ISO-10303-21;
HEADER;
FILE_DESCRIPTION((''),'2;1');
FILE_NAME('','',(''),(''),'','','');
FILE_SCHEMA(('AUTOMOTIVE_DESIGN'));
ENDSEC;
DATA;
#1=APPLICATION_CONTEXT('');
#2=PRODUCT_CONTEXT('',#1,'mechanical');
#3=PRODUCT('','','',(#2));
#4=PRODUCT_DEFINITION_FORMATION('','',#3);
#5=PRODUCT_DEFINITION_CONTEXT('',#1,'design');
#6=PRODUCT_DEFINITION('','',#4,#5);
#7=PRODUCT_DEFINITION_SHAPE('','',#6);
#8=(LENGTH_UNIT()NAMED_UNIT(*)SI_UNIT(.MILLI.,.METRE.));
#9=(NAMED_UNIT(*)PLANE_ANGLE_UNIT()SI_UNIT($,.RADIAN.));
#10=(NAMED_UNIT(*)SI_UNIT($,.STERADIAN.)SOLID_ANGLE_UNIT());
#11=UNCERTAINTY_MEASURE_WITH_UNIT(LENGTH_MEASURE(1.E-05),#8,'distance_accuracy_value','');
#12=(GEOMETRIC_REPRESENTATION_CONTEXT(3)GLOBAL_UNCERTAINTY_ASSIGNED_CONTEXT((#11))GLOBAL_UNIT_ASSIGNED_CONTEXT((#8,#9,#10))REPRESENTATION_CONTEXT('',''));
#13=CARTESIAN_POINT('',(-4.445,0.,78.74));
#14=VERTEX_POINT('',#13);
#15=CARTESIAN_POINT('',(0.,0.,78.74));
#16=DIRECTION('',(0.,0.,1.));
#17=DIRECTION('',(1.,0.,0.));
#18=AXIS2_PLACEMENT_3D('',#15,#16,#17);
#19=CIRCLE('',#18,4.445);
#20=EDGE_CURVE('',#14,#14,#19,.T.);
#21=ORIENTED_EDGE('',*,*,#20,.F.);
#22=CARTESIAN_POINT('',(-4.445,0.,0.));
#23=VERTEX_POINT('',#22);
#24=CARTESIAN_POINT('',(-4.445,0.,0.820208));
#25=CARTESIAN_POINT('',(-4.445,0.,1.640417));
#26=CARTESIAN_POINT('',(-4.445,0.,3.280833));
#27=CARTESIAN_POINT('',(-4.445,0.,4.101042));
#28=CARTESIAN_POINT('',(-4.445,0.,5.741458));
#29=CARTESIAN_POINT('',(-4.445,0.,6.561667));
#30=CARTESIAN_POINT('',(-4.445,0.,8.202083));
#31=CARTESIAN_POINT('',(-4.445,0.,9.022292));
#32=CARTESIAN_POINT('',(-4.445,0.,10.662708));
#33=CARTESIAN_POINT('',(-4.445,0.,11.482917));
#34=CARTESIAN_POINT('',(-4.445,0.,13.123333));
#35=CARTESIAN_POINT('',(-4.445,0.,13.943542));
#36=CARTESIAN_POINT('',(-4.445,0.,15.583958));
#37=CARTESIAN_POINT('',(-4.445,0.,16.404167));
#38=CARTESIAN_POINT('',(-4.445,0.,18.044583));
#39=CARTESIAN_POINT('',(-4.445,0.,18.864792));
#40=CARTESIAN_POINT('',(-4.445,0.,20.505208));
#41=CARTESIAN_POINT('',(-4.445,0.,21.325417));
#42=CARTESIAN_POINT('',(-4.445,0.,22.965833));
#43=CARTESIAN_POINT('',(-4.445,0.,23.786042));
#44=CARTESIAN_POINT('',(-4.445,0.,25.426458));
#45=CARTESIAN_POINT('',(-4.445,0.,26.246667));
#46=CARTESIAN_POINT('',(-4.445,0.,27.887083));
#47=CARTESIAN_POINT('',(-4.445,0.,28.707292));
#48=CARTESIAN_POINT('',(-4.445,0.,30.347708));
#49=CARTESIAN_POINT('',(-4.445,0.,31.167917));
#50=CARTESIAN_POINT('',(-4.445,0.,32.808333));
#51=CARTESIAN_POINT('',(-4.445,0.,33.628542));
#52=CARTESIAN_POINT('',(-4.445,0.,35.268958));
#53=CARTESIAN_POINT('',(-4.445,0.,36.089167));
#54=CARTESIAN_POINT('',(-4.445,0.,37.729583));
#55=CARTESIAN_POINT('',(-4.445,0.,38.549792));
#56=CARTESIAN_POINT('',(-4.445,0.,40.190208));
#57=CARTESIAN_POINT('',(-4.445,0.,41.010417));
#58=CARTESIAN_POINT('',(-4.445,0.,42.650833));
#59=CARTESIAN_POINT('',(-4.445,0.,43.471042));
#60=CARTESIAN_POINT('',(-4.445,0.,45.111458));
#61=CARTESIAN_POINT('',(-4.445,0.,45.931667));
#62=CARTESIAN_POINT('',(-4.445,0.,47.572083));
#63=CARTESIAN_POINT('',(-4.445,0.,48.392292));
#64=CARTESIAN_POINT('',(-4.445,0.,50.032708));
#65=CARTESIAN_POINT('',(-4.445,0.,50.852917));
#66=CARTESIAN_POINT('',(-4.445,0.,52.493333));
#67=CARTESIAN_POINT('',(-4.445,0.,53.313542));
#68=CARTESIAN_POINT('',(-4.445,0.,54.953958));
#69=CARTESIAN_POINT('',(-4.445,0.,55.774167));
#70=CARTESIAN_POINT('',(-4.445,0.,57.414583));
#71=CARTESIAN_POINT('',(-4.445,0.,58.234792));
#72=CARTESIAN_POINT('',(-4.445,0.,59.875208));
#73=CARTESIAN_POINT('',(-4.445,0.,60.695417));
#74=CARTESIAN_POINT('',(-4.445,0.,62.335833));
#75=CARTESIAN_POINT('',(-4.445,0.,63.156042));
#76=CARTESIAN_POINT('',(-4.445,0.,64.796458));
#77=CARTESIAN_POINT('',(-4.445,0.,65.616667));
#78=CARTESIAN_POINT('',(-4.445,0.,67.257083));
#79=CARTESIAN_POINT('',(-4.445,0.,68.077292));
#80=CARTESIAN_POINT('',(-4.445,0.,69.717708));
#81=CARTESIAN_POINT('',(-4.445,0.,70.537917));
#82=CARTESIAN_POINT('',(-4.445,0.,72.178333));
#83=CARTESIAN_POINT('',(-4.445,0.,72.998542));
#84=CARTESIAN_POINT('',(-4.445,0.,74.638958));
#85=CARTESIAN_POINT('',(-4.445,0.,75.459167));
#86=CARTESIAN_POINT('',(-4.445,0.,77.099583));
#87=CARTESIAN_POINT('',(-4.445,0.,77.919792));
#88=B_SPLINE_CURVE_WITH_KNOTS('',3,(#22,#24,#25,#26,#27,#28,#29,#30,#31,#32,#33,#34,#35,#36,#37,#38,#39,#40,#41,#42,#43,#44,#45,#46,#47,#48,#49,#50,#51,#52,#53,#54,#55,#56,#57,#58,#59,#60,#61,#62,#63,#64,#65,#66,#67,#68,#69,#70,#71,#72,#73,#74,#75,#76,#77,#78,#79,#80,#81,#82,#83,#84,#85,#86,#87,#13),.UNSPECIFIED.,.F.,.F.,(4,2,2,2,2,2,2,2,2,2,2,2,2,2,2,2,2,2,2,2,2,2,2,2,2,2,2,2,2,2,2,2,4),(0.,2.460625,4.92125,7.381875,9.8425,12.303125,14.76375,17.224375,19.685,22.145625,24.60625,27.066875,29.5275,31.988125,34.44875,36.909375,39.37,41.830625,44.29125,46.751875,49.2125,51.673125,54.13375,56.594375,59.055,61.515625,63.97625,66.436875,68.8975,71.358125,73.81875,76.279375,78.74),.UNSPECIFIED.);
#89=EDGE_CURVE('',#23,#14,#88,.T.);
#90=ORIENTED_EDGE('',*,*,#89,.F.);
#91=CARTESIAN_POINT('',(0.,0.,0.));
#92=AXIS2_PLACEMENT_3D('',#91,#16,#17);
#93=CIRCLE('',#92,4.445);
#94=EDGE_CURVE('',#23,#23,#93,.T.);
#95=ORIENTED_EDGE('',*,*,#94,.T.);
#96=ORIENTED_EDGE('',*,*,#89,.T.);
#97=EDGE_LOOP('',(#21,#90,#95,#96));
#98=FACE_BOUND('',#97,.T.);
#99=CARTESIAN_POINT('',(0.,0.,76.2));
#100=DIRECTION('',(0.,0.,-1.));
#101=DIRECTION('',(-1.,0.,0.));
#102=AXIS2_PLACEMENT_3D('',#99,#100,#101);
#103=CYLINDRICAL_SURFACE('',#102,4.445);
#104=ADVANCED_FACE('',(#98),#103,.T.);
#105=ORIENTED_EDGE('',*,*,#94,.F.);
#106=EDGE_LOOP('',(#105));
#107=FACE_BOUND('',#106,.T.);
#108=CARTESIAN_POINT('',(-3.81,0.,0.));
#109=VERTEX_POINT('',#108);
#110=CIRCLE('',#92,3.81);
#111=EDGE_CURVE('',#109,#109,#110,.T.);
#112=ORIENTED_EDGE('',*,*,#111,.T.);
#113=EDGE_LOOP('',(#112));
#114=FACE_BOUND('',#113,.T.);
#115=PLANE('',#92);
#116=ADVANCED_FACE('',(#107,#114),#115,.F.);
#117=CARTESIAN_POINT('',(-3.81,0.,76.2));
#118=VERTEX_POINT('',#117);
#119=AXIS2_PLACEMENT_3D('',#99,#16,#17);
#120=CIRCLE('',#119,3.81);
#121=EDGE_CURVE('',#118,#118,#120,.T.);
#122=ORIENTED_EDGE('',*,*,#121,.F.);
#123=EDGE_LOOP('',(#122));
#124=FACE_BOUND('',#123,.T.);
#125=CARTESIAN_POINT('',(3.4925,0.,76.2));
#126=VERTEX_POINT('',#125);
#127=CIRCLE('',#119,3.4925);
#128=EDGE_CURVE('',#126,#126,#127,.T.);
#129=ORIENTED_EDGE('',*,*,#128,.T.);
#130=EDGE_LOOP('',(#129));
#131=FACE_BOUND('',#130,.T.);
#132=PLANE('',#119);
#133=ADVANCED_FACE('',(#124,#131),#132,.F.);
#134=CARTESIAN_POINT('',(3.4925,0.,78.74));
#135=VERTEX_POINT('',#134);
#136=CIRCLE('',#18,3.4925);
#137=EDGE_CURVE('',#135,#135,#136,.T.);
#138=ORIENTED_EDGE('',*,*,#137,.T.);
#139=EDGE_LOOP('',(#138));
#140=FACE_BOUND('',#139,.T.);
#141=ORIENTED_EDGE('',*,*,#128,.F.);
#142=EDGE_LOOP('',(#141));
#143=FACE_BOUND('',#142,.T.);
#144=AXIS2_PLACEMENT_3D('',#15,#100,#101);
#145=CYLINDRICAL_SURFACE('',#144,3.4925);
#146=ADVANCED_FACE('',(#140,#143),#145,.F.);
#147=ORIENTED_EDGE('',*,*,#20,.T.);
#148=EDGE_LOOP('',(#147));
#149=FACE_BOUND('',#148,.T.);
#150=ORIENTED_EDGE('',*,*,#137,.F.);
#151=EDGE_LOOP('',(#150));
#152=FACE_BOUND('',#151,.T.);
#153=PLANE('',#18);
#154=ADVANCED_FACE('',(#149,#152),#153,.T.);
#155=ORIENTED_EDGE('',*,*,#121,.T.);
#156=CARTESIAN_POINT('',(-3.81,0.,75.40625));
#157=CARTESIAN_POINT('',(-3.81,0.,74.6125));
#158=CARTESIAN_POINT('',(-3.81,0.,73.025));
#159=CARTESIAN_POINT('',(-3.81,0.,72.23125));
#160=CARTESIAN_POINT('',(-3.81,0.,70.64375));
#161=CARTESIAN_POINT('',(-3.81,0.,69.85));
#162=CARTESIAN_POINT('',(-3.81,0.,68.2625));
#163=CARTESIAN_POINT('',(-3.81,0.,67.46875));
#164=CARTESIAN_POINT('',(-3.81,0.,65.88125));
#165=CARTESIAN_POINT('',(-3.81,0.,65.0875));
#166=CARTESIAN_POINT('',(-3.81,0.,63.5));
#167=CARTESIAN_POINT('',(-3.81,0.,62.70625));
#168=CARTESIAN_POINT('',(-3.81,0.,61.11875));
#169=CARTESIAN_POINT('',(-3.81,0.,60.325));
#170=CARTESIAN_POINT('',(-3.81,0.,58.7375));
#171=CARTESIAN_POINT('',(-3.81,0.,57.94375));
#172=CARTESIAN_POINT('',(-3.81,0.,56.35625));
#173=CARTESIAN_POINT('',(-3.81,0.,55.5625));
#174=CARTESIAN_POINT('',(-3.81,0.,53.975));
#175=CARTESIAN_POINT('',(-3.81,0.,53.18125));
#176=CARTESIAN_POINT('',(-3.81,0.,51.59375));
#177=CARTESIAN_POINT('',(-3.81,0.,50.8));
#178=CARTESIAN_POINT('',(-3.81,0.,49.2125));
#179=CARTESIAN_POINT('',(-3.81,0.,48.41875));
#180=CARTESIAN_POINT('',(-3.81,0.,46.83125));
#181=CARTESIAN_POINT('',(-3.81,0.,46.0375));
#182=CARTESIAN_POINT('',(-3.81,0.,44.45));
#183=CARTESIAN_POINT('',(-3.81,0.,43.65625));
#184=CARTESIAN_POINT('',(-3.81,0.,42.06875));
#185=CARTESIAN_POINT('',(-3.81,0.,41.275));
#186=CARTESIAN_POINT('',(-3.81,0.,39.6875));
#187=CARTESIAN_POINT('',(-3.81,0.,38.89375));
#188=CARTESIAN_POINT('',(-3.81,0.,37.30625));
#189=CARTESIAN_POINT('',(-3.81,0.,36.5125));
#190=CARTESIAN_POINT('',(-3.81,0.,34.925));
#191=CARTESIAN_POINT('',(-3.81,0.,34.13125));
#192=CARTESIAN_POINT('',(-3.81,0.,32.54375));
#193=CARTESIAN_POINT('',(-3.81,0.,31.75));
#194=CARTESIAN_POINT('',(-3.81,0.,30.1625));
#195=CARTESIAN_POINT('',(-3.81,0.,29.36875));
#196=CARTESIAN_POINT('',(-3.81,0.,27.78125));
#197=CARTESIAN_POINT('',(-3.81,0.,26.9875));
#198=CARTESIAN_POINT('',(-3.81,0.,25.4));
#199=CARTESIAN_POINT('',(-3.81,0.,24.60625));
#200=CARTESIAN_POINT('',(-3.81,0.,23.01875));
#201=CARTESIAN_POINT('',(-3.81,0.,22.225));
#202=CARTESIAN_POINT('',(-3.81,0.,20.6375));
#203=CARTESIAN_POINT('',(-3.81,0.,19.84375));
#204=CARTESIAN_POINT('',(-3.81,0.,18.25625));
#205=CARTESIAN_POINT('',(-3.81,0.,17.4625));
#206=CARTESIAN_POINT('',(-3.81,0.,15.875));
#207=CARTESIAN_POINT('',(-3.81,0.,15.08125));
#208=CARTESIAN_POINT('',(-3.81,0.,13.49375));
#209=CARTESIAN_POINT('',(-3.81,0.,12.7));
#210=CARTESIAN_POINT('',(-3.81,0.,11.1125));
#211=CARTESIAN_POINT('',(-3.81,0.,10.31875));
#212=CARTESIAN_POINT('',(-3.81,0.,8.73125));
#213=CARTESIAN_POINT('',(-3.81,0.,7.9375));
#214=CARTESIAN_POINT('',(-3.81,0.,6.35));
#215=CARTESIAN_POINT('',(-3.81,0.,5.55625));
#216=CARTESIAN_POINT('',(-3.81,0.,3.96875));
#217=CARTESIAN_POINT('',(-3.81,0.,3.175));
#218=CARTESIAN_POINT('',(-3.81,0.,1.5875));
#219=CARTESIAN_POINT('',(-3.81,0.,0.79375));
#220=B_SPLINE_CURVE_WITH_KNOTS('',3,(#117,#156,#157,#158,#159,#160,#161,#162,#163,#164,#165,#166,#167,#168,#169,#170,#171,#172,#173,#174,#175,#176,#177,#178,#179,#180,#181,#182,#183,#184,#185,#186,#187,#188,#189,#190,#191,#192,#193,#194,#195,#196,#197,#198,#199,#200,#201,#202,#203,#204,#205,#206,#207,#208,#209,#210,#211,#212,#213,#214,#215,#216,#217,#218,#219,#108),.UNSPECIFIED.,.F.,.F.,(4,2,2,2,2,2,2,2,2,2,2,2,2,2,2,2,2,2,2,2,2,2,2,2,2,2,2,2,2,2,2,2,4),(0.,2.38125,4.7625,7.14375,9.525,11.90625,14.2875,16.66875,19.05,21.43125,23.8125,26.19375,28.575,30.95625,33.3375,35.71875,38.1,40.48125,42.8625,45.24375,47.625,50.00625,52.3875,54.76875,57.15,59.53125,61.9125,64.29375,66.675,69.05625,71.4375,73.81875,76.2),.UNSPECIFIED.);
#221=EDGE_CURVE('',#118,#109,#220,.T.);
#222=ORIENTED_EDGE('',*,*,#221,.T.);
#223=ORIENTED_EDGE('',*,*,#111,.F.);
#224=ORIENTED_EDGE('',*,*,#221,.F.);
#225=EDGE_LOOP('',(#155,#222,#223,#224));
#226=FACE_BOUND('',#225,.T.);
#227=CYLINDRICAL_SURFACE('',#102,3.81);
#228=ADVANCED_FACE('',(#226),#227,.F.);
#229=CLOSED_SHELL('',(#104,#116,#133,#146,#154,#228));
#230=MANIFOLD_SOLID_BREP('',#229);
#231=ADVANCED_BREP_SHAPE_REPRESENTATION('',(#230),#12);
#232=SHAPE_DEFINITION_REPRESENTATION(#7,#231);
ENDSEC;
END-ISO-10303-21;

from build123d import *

# Parameters (mm, degrees)
SKETCH1_R           = 4.445
SKETCH1_R_2         = 3.81
BOSS_EXTRUDE1_DEPTH = 76.2
SKETCH2_R           = 4.445
SKETCH2_R_2         = 3.4925
BOSS_EXTRUDE2_DEPTH = 2.54


with BuildPart() as part:
    # Sketch1 → Boss-Extrude1 (new body)
    with BuildSketch(Plane.XY):
        with Locations(Location((0, 0, 0), (0, 0, 180))):
            Circle(SKETCH1_R)
        with Locations(Location((0, 0, 0), (0, 0, 180))):
            Circle(SKETCH1_R_2, mode=Mode.SUBTRACT)
    extrude(amount=BOSS_EXTRUDE1_DEPTH)

    # Sketch2 → Boss-Extrude2 (add)
    with BuildSketch(Plane.XY.offset(76.2)):
        with Locations(Location((0, 0, 0), (0, 0, 180))):
            Circle(SKETCH2_R)
        Circle(SKETCH2_R_2, mode=Mode.SUBTRACT)
    extrude(amount=BOSS_EXTRUDE2_DEPTH)


solid = part.part
